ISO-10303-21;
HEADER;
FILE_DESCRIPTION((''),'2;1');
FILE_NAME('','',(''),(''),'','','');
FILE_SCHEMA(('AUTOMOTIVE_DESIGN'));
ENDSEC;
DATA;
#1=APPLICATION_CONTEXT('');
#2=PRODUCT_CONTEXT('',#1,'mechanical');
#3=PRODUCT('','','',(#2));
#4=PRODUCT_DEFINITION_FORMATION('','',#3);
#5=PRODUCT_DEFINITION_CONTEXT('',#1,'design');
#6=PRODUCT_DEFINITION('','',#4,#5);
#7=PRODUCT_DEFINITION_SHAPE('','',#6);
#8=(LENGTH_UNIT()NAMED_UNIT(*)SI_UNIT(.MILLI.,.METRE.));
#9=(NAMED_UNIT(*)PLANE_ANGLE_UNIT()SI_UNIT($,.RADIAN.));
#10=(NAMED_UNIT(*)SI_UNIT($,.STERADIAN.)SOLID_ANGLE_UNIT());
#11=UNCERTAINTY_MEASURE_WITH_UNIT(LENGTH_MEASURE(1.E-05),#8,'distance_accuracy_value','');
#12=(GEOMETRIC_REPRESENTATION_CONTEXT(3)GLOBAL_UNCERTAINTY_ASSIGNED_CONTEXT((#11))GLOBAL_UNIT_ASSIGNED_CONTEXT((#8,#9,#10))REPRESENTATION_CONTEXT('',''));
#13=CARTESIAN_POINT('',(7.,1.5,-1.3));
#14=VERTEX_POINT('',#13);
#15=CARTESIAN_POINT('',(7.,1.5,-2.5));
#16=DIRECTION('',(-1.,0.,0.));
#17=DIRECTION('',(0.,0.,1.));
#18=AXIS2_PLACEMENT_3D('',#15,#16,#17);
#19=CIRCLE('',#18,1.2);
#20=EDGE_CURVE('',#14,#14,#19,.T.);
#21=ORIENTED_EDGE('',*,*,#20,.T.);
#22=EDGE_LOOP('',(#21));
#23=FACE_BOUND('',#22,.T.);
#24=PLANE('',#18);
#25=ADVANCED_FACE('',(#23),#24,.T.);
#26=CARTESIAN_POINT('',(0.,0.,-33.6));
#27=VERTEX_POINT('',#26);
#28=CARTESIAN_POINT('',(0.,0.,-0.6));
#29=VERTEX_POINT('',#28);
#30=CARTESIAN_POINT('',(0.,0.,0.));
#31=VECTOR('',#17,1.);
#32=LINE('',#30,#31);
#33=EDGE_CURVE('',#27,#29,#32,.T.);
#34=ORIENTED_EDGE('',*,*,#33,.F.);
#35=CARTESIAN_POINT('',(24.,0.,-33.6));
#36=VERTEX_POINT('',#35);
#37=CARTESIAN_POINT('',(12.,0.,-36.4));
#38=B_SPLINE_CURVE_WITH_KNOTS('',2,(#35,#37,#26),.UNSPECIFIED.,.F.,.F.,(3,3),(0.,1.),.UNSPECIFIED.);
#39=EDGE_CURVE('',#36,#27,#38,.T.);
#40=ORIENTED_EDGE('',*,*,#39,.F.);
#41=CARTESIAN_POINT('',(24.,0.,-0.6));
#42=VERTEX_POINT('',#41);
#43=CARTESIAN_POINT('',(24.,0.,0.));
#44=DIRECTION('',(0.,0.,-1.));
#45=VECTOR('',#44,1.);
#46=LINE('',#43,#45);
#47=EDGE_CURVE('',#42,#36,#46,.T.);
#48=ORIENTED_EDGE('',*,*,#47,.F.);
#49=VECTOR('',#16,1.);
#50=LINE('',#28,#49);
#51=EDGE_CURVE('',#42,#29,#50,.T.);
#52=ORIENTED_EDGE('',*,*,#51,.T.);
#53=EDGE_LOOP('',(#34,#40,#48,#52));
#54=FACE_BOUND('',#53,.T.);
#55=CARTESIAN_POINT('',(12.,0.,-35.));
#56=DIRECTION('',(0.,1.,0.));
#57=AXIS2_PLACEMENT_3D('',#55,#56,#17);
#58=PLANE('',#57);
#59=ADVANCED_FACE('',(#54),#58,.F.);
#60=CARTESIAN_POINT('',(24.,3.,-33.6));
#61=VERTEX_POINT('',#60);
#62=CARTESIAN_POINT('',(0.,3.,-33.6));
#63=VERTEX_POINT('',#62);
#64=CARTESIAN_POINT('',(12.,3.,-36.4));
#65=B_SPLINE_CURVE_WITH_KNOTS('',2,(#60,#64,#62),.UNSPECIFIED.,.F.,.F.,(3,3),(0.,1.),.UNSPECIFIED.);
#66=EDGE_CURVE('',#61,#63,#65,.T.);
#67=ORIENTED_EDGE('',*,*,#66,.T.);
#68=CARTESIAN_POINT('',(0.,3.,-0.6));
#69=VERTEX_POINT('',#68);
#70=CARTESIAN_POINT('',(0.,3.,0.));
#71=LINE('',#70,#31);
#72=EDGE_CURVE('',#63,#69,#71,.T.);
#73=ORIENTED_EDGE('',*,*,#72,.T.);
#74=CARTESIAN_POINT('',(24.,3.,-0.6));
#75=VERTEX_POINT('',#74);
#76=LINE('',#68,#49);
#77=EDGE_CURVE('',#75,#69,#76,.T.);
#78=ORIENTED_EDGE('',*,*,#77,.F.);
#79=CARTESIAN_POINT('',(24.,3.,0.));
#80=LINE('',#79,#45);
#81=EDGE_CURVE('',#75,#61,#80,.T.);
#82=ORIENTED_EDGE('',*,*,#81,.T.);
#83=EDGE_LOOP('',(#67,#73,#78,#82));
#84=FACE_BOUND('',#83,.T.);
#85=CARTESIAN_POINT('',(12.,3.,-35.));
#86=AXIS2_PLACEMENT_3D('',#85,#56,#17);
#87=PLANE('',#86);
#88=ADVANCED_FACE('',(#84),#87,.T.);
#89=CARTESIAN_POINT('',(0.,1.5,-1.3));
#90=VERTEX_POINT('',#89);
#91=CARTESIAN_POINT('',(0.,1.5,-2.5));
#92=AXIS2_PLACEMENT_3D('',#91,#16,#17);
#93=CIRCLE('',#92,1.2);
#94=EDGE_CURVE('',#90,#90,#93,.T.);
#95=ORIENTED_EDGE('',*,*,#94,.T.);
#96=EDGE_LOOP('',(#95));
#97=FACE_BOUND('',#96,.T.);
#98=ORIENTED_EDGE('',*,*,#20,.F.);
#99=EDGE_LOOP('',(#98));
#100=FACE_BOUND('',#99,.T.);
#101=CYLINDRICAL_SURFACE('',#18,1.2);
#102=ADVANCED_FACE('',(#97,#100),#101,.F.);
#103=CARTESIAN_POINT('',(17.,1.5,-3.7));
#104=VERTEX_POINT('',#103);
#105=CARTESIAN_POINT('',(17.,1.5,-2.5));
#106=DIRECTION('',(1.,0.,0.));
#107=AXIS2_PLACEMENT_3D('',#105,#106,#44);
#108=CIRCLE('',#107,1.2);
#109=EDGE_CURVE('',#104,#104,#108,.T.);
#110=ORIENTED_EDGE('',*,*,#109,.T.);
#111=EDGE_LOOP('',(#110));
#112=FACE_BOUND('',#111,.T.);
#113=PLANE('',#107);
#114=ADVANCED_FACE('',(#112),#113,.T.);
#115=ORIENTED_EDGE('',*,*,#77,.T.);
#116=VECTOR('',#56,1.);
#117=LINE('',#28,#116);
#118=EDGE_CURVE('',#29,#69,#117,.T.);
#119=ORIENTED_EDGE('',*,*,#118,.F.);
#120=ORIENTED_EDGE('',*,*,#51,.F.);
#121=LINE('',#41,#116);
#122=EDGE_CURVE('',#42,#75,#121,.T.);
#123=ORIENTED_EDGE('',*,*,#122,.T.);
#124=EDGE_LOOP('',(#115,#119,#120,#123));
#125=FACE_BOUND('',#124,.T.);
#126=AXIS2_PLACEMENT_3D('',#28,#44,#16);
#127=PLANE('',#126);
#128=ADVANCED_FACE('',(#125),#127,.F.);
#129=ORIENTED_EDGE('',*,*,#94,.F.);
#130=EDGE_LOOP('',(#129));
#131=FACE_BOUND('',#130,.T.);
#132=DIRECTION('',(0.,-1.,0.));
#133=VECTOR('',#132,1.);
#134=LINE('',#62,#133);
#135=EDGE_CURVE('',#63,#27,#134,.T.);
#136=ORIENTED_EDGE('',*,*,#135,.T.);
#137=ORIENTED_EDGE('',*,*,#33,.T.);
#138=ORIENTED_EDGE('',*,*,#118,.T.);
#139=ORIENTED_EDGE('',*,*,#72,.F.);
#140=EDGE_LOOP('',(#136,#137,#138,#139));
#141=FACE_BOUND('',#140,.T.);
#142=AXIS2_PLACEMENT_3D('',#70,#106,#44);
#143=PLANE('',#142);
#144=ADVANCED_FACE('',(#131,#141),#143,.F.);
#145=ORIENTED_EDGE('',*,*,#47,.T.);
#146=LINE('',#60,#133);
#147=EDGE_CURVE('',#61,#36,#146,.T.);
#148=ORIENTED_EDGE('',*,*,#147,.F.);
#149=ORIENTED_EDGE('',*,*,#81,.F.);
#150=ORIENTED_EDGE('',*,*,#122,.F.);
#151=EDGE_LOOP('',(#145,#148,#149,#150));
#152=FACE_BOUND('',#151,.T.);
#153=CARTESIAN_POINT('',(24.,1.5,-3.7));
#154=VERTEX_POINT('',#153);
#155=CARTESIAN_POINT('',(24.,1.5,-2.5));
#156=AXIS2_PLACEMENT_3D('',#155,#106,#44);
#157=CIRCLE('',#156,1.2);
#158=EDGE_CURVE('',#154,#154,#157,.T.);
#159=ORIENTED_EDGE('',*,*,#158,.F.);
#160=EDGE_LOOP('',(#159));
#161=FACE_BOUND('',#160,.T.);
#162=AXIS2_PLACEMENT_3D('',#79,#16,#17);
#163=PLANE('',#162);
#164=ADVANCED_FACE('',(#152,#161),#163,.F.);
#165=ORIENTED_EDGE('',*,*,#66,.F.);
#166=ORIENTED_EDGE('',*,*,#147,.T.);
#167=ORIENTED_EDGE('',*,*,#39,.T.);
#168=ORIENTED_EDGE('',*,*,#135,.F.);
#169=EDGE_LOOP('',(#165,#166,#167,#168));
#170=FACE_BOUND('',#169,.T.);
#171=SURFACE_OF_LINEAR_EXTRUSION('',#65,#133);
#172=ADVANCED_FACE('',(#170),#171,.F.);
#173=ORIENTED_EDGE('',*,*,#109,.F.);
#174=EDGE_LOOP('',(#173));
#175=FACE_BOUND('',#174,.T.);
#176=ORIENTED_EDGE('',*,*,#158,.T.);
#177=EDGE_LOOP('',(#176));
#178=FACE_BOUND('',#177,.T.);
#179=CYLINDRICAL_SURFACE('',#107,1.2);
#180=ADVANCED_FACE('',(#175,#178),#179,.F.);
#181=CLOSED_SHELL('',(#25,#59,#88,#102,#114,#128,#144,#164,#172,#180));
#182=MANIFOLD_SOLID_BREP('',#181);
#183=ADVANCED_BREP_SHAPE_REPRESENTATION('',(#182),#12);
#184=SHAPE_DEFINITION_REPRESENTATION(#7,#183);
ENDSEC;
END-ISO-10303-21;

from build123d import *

# Parameters (mm, degrees)
BOSS_EXTRUDE1_DEPTH = 3
SKETCH2_R           = 1.2
CUT_EXTRUDE1_DEPTH  = 7
SKETCH3_R           = 1.2
CUT_EXTRUDE2_DEPTH  = 7
SKETCH4_W           = 24
SKETCH4_H           = 0.6
CUT_EXTRUDE3_DEPTH  = 4.0000001


with BuildPart() as part:
    # Sketch1 → Boss-Extrude1 (new body)
    with BuildSketch(Plane(origin=(0, 0, 0), x_dir=(1, 0, 0), z_dir=(0, 1, 0))):
        with BuildLine():
            Line((0, 0), (24, 0))
            Line((24, 0), (24, 33.6))
            add(Edge.make_bspline(
                [(0, 33.6), (12, 36.4), (24, 33.6)],
                knots=[0, 0, 0, 1, 1, 1], degree=2))
            Line((0, 33.6), (0, 0))
        make_face()
    extrude(amount=BOSS_EXTRUDE1_DEPTH)

    # Sketch2 → Cut-Extrude1 (cut)
    with BuildSketch(Plane(origin=(24, 0, 0), x_dir=(0, 0, -1), z_dir=(1, 0, 0))):
        with Locations((2.5, 1.5)):
            Circle(SKETCH2_R)
    extrude(amount=-CUT_EXTRUDE1_DEPTH, mode=Mode.SUBTRACT)

    # Sketch3 → Cut-Extrude2 (cut)
    with BuildSketch(Plane.ZY):
        with Locations((-2.5, 1.5)):
            Circle(SKETCH3_R)
    extrude(amount=-CUT_EXTRUDE2_DEPTH, mode=Mode.SUBTRACT)

    # Sketch4 → Cut-Extrude3 (cut, through all)
    with BuildSketch(Plane(origin=(0, 3, 0), x_dir=(1, 0, 0), z_dir=(0, 1, 0))):
        with Locations((12, 0.3)):
            Rectangle(SKETCH4_W, SKETCH4_H)
    extrude(amount=-CUT_EXTRUDE3_DEPTH, mode=Mode.SUBTRACT)


solid = part.part
